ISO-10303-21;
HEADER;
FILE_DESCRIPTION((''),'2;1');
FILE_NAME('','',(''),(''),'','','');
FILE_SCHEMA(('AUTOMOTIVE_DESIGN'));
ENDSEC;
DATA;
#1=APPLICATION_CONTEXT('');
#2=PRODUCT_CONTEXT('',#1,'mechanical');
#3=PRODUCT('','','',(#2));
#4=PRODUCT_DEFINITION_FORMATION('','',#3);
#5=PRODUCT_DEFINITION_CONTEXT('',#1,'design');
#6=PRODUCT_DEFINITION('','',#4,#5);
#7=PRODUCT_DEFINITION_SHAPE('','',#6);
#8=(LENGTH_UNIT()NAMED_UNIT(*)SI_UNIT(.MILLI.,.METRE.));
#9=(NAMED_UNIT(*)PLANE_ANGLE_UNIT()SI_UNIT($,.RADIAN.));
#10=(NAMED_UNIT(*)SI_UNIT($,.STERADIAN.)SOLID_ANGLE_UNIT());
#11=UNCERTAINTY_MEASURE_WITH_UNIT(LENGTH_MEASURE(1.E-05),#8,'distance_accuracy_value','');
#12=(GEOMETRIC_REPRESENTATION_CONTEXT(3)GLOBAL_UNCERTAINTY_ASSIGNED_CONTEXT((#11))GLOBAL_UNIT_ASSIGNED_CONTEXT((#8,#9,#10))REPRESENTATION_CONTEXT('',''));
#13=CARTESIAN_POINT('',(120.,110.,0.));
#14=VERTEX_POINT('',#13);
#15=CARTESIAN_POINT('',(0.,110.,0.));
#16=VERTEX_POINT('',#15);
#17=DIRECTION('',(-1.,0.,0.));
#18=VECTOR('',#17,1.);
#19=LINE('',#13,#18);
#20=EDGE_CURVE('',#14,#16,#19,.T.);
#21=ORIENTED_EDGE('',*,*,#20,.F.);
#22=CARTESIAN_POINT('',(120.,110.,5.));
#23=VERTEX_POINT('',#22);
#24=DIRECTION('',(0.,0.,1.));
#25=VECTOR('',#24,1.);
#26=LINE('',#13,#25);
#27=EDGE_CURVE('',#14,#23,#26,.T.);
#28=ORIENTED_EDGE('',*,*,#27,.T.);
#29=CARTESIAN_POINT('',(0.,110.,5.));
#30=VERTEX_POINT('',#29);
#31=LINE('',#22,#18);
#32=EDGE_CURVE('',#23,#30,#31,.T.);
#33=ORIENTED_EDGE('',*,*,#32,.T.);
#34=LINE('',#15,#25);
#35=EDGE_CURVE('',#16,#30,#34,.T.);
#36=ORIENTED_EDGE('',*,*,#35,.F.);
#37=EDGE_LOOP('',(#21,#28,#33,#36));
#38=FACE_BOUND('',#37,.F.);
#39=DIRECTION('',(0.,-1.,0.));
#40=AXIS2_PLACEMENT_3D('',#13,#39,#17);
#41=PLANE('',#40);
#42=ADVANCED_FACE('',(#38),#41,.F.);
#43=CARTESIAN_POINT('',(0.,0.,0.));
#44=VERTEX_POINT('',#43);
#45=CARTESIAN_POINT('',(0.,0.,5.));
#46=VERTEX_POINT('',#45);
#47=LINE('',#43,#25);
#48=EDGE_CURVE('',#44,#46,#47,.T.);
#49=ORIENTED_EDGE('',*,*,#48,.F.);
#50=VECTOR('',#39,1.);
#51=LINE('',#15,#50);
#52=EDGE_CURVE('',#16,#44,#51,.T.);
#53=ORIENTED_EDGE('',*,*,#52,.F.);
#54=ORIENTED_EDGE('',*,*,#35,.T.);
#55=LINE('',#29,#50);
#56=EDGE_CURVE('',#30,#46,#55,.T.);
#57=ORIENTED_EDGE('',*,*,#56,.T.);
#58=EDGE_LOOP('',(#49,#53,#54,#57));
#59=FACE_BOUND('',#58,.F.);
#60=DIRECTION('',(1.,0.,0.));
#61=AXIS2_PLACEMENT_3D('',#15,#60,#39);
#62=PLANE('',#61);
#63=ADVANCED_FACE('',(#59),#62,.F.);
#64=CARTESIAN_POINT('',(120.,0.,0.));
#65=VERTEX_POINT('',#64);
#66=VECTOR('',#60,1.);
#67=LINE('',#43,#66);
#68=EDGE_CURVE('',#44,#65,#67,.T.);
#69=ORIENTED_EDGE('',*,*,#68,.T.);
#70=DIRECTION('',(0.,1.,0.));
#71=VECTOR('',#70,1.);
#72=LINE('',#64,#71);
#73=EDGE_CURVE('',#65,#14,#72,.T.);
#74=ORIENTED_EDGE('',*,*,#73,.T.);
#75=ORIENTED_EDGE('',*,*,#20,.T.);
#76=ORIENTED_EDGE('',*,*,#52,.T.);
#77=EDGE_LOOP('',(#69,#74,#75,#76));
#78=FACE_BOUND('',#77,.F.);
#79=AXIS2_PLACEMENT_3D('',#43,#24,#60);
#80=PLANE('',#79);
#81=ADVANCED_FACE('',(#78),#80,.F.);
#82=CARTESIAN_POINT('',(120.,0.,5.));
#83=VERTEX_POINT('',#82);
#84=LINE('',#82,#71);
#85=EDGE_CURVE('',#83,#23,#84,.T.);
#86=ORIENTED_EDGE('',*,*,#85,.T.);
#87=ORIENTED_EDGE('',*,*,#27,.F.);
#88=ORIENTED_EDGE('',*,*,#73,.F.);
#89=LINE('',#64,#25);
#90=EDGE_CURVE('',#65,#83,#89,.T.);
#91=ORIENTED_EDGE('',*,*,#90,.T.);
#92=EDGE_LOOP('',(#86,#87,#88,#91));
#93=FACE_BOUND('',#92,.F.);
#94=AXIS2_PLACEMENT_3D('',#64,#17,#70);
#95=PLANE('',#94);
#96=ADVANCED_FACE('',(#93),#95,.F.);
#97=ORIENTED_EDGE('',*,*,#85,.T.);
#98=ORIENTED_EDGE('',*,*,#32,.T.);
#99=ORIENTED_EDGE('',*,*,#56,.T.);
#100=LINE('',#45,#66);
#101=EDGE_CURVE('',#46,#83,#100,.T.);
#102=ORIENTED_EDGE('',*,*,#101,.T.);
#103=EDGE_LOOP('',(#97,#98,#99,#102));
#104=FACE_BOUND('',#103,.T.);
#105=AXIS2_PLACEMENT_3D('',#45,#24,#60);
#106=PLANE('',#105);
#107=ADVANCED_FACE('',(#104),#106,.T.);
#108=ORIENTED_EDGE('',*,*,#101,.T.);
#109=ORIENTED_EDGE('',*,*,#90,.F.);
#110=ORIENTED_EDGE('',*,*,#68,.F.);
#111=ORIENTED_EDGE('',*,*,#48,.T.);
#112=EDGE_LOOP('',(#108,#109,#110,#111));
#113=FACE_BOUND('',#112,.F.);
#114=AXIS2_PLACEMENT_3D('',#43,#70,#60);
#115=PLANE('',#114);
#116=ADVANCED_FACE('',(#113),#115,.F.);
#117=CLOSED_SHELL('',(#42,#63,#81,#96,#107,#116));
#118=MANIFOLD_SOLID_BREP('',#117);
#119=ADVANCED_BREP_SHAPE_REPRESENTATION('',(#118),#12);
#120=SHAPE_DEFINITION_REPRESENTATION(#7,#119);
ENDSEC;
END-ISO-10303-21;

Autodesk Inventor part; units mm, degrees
ref_plane "YZ Plane" through (0, 0, 0) normal (1, 0, 0) x (0, 1, 0)
ref_plane "XZ Plane" through (0, 0, 0) normal (0, 1, 0) x (-1, 0, 0)
ref_plane "XY Plane" through (0, 0, 0) normal (0, 0, 1) x (1, 0, 0)
sketch "Sketch1" plane through (0, 0, 0) normal (0, 0, 1) x (1, 0, 0)
  line L0 (0, 0) -> (120, 0)
  line L1 (120, 0) -> (120, 110)
  line L2 (120, 110) -> (0, 110)
  line L3 (0, 110) -> (0, 0)
  dimension "d0" = 120
  dimension "d1" = 110
extrude "Extrusion1" add sketch "Sketch1" along normal blind 5
properties part number "team29_gear"
